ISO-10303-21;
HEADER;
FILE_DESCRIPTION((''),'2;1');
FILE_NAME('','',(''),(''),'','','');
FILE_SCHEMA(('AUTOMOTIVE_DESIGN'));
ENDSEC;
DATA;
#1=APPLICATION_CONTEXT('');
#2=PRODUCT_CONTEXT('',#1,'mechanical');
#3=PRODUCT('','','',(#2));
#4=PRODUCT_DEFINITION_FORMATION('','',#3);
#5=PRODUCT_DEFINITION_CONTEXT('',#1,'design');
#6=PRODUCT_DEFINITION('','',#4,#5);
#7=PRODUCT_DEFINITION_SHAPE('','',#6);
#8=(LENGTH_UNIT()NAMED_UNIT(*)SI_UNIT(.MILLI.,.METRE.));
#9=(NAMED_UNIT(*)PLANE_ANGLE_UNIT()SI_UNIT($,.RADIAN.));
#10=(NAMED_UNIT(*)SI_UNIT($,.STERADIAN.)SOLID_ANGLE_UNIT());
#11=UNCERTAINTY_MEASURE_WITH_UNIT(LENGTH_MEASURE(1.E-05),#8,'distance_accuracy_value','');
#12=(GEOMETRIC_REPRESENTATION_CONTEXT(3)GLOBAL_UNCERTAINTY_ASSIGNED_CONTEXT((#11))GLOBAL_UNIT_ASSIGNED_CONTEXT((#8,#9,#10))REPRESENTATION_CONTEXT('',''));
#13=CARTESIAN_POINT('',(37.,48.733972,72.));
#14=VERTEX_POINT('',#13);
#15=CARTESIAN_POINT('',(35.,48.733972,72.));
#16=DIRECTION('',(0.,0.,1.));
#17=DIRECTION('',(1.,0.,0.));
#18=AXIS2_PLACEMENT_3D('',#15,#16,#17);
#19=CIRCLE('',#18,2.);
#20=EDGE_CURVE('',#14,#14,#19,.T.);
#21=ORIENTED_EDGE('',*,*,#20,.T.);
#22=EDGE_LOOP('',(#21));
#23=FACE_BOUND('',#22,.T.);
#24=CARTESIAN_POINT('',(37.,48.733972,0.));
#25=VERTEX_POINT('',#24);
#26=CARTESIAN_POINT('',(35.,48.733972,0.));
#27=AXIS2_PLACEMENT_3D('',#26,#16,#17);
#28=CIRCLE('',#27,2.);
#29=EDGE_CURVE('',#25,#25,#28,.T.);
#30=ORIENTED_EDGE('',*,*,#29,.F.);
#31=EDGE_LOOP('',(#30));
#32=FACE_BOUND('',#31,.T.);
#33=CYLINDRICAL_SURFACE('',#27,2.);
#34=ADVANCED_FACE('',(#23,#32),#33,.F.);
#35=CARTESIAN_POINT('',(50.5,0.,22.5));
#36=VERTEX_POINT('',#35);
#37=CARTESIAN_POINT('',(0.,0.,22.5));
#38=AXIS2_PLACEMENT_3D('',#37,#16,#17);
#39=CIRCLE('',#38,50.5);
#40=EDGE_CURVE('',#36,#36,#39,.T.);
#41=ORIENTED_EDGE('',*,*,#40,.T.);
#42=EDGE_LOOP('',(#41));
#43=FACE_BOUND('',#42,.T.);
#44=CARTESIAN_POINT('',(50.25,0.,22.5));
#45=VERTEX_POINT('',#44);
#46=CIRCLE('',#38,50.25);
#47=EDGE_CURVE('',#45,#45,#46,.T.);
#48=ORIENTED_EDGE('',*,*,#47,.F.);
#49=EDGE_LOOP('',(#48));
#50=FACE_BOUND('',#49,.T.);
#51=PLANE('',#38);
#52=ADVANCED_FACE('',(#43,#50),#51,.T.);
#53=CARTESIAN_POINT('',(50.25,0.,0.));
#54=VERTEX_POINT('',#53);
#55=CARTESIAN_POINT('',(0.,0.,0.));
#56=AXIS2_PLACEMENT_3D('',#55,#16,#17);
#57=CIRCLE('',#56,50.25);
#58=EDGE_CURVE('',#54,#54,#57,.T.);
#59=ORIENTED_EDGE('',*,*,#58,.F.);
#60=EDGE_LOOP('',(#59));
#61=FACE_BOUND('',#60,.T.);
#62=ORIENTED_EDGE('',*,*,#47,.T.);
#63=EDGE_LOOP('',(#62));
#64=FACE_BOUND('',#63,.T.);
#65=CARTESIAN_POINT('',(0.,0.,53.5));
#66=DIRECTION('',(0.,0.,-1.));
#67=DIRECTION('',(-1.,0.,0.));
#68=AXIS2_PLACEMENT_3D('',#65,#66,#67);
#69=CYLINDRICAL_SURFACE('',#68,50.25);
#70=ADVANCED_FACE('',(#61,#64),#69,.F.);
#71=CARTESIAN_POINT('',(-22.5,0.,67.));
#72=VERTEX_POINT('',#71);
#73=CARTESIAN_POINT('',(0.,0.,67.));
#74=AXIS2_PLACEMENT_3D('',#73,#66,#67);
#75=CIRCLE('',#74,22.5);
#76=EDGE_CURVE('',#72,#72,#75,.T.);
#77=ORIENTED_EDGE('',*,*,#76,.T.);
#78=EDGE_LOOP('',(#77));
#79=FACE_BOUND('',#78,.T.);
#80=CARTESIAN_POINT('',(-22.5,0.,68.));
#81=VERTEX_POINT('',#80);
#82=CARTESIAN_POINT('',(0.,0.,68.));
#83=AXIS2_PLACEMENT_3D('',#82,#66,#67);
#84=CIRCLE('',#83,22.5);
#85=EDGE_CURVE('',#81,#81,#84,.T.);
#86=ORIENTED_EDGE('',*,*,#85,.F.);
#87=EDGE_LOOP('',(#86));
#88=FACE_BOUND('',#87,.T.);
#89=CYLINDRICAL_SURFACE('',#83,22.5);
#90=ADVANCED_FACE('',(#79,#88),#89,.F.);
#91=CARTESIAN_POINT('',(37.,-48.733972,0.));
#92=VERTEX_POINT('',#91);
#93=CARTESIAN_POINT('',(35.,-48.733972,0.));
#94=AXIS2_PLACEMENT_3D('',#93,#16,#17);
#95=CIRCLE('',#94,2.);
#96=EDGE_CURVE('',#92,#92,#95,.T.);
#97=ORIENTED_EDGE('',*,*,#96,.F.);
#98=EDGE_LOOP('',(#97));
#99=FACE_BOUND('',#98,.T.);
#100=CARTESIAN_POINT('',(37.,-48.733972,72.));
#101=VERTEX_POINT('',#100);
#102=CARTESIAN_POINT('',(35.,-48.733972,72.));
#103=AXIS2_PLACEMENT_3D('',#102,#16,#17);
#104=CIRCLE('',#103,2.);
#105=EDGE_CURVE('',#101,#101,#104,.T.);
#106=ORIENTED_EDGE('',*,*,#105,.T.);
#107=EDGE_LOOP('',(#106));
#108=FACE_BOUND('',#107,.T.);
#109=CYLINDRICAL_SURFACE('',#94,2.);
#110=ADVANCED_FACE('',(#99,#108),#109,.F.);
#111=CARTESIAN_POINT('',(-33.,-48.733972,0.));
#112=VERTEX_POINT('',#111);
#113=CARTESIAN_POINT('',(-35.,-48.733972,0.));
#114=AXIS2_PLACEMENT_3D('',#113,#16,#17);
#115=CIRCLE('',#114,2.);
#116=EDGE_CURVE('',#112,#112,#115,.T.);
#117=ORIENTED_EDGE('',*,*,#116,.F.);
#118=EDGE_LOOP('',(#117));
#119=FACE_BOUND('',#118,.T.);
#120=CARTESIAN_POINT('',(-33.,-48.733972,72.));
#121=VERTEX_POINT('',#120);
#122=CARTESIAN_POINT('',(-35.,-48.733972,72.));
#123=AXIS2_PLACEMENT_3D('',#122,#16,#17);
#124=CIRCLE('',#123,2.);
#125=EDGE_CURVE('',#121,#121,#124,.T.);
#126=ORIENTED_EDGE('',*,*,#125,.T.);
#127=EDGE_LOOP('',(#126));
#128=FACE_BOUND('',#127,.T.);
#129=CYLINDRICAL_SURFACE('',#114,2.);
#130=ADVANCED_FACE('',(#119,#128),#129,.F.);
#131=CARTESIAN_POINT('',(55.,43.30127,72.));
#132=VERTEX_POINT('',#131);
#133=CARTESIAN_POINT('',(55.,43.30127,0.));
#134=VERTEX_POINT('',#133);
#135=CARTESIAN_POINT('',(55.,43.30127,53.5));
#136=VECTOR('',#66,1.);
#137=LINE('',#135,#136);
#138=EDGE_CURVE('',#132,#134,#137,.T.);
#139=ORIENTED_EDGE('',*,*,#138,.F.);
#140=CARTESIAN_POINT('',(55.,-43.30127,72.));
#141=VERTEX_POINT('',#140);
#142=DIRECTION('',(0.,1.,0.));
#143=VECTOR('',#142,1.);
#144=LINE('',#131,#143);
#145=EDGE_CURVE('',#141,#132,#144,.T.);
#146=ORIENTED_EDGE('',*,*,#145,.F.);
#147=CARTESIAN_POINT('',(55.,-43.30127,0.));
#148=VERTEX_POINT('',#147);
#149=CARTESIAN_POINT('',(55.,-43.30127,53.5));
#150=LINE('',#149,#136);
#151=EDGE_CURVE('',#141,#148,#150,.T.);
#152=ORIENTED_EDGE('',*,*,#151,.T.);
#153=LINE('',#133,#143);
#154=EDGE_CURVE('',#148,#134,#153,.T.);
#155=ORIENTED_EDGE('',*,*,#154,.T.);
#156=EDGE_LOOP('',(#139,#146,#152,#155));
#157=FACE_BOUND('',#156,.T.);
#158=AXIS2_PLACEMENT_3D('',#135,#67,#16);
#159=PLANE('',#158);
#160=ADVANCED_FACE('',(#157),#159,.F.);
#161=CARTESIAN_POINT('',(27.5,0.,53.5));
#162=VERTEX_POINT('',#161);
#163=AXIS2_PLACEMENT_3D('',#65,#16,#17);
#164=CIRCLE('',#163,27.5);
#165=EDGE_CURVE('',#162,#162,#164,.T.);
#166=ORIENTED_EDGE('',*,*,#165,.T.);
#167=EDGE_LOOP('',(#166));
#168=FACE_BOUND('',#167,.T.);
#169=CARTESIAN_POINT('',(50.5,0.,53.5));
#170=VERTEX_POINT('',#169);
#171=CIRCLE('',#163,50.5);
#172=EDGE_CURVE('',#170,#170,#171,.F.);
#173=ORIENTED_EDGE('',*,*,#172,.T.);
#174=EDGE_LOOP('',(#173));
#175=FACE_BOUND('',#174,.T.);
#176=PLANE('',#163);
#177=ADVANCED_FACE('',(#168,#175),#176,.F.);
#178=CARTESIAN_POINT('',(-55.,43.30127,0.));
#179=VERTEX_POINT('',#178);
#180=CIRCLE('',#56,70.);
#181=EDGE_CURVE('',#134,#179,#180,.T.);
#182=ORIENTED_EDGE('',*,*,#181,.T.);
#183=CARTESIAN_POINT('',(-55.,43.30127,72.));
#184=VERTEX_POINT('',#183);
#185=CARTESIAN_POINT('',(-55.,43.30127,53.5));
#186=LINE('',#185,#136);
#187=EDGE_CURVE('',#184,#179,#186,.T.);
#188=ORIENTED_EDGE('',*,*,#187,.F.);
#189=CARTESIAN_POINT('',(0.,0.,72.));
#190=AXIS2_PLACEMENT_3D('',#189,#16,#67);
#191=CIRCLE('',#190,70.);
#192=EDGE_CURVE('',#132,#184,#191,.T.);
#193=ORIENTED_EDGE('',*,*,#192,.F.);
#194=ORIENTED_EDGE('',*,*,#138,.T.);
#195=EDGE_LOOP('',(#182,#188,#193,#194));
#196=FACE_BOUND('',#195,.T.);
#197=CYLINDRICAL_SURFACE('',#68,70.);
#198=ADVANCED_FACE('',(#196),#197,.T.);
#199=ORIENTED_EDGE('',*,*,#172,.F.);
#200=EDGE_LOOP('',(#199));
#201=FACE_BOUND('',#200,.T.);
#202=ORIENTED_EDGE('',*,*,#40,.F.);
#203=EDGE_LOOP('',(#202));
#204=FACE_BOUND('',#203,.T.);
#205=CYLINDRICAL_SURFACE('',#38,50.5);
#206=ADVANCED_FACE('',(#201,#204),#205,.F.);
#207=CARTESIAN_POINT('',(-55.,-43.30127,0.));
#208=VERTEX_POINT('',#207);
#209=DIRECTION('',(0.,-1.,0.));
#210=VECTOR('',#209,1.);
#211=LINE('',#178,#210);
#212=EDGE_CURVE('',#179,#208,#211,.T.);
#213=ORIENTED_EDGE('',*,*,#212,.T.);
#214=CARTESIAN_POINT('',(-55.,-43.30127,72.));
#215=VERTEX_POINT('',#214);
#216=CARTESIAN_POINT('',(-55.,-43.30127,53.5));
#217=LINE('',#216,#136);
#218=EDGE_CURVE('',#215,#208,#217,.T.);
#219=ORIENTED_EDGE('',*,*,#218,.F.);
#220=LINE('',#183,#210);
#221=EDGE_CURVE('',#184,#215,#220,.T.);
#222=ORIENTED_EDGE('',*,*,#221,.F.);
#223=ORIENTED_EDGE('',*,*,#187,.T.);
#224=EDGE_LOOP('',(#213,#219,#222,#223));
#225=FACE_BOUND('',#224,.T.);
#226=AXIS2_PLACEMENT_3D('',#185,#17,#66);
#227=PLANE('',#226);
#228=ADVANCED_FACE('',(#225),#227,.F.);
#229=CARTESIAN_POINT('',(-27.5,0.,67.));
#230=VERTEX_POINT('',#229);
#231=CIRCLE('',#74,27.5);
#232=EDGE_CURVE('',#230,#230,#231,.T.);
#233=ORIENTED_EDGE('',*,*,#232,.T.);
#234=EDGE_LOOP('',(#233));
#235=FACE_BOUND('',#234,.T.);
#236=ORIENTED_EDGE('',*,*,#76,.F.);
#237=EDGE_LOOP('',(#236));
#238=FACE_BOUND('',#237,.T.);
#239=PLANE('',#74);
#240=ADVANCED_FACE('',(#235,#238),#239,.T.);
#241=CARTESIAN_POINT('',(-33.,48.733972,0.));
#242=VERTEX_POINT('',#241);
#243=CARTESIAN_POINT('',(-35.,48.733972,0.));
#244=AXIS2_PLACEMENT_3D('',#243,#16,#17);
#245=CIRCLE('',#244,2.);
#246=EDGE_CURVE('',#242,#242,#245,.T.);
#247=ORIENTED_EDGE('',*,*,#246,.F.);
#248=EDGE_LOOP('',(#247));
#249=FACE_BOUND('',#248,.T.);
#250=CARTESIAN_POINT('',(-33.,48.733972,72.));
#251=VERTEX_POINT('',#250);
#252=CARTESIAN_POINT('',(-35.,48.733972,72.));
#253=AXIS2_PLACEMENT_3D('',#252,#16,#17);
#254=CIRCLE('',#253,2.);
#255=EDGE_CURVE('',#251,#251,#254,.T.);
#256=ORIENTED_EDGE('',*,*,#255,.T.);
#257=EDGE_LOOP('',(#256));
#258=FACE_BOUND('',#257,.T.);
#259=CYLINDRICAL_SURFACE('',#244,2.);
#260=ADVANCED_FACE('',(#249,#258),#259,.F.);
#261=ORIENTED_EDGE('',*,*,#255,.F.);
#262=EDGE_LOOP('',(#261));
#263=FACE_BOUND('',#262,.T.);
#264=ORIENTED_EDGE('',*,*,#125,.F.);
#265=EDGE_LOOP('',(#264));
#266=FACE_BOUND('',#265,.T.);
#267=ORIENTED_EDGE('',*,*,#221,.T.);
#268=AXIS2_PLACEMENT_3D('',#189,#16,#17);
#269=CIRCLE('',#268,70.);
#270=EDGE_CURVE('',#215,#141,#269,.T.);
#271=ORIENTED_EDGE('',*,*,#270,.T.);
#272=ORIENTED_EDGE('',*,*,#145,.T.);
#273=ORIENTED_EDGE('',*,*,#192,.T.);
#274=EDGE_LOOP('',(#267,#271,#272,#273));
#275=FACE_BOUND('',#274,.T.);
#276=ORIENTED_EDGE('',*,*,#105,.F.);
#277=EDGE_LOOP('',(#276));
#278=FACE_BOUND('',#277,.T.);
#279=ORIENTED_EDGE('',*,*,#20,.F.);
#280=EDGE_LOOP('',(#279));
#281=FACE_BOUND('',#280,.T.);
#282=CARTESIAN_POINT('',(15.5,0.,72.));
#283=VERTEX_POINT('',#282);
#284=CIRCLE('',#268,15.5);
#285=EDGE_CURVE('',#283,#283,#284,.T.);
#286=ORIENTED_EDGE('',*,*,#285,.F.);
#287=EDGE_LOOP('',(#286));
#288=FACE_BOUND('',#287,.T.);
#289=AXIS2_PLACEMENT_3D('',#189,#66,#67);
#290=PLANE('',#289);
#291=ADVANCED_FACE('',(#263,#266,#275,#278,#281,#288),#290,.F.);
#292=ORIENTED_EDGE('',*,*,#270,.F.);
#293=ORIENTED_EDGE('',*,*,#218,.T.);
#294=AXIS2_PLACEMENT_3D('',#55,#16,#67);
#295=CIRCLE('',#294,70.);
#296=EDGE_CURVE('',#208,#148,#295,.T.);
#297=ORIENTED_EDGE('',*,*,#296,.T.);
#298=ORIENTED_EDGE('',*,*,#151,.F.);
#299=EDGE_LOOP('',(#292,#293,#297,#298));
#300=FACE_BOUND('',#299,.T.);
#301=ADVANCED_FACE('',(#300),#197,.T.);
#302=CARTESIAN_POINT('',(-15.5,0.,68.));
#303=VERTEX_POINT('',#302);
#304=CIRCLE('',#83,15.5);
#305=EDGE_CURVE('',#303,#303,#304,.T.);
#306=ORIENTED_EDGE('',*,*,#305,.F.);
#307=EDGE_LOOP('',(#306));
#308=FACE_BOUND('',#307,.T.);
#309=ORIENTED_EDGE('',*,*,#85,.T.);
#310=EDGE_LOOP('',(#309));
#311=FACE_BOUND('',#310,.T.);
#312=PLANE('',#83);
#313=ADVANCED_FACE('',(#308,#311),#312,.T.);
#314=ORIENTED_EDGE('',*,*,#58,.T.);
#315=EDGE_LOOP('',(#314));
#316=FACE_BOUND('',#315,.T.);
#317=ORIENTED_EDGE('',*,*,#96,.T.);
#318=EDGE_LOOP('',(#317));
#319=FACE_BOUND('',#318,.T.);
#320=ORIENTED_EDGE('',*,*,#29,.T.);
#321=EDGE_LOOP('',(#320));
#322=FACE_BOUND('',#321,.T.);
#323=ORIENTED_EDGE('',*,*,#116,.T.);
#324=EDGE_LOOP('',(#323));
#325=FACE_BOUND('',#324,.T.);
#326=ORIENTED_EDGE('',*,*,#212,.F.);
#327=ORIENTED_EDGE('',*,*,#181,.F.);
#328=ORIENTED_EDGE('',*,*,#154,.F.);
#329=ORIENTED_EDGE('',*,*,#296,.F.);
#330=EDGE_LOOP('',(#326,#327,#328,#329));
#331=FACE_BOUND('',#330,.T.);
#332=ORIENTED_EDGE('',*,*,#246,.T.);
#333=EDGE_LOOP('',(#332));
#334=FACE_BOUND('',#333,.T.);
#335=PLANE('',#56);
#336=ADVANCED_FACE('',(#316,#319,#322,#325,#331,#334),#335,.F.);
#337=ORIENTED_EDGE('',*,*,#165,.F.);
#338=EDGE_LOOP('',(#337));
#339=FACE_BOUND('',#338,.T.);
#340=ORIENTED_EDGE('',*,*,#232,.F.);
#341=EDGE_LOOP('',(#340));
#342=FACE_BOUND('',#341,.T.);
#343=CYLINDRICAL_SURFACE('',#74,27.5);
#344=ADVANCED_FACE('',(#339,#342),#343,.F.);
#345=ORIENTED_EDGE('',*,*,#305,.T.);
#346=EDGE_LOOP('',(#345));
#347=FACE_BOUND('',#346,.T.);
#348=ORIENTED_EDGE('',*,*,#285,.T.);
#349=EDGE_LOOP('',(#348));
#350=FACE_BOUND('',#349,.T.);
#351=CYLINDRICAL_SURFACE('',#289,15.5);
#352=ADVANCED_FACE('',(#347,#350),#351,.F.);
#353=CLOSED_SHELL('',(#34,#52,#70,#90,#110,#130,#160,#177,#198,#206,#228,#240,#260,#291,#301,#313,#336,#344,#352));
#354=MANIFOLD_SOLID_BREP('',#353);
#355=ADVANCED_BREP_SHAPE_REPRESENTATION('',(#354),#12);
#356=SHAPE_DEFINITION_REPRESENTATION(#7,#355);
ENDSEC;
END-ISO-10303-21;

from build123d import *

# Parameters (mm, degrees)
SKETCH1_R           = 50.25
BOSS_EXTRUDE1_DEPTH = 53.5
SKETCH2_R           = 50.5
CUT_EXTRUDE1_DEPTH  = 31
SKETCH3_R           = 27.5
BOSS_EXTRUDE2_DEPTH = 13.5
SKETCH8_R           = 15.5
BOSS_EXTRUDE4_DEPTH = 5
SKETCH9_R           = 2
CUT_EXTRUDE5_DEPTH  = 115.494541355
SKETCH10_R          = 22.5
CUT_EXTRUDE6_DEPTH  = 1


with BuildPart() as part:
    # Sketch1 → Boss-Extrude1 (new body)
    with BuildSketch(Plane.XY):
        with BuildLine():
            Line((-55, 43.301270189), (-55, -43.301270189))
            ThreePointArc((-55, -43.301270189), (0, -70), (55, -43.301270189))
            Line((55, -43.301270189), (55, 43.301270189))
            ThreePointArc((55, 43.301270189), (0, 70), (-55, 43.301270189))
        make_face()
        Circle(SKETCH1_R, mode=Mode.SUBTRACT)
    extrude(amount=BOSS_EXTRUDE1_DEPTH)

    # Sketch2 → Cut-Extrude1 (cut)
    with BuildSketch(Plane.XY.offset(53.5)):
        Circle(SKETCH2_R)
    extrude(amount=-CUT_EXTRUDE1_DEPTH, mode=Mode.SUBTRACT)

    # Sketch3 → Boss-Extrude2 (add)
    with BuildSketch(Plane.XY.offset(53.5)):
        with BuildLine():
            Line((-55, -43.301270189), (-55, 43.301270189))
            ThreePointArc((-55, 43.301270189), (0, 70), (55, 43.301270189))
            Line((55, 43.301270189), (55, -43.301270189))
            ThreePointArc((55, -43.301270189), (0, -70), (-55, -43.301270189))
        make_face()
        Circle(SKETCH3_R, mode=Mode.SUBTRACT)
    extrude(amount=BOSS_EXTRUDE2_DEPTH)

    # Sketch8 → Boss-Extrude4 (add)
    with BuildSketch(Plane.XY.offset(67)):
        with BuildLine():
            Line((-55, 43.301270189), (-55, -43.301270189))
            ThreePointArc((-55, -43.301270189), (0, -70), (55, -43.301270189))
            Line((55, -43.301270189), (55, 43.301270189))
            ThreePointArc((55, 43.301270189), (0, 70), (-55, 43.301270189))
        make_face()
        Circle(SKETCH8_R, mode=Mode.SUBTRACT)
    extrude(amount=BOSS_EXTRUDE4_DEPTH)

    # Sketch9 → Cut-Extrude5 (cut, through all)
    with BuildSketch(Plane.XY.offset(72)):
        with Locations((-35, -48.733971724)):
            Circle(SKETCH9_R)
        with Locations((-35, 48.733971724)):
            Circle(SKETCH9_R)
        with Locations((35, 48.733971724)):
            Circle(SKETCH9_R)
        with Locations((35, -48.733971724)):
            Circle(SKETCH9_R)
    extrude(amount=-CUT_EXTRUDE5_DEPTH, mode=Mode.SUBTRACT)

    # Sketch10 → Cut-Extrude6 (cut)
    with BuildSketch(Plane(origin=(0, 0, 67), x_dir=(-1, 0, 0), z_dir=(0, 0, -1))):
        Circle(SKETCH10_R)
    extrude(amount=-CUT_EXTRUDE6_DEPTH, mode=Mode.SUBTRACT)


solid = part.part
